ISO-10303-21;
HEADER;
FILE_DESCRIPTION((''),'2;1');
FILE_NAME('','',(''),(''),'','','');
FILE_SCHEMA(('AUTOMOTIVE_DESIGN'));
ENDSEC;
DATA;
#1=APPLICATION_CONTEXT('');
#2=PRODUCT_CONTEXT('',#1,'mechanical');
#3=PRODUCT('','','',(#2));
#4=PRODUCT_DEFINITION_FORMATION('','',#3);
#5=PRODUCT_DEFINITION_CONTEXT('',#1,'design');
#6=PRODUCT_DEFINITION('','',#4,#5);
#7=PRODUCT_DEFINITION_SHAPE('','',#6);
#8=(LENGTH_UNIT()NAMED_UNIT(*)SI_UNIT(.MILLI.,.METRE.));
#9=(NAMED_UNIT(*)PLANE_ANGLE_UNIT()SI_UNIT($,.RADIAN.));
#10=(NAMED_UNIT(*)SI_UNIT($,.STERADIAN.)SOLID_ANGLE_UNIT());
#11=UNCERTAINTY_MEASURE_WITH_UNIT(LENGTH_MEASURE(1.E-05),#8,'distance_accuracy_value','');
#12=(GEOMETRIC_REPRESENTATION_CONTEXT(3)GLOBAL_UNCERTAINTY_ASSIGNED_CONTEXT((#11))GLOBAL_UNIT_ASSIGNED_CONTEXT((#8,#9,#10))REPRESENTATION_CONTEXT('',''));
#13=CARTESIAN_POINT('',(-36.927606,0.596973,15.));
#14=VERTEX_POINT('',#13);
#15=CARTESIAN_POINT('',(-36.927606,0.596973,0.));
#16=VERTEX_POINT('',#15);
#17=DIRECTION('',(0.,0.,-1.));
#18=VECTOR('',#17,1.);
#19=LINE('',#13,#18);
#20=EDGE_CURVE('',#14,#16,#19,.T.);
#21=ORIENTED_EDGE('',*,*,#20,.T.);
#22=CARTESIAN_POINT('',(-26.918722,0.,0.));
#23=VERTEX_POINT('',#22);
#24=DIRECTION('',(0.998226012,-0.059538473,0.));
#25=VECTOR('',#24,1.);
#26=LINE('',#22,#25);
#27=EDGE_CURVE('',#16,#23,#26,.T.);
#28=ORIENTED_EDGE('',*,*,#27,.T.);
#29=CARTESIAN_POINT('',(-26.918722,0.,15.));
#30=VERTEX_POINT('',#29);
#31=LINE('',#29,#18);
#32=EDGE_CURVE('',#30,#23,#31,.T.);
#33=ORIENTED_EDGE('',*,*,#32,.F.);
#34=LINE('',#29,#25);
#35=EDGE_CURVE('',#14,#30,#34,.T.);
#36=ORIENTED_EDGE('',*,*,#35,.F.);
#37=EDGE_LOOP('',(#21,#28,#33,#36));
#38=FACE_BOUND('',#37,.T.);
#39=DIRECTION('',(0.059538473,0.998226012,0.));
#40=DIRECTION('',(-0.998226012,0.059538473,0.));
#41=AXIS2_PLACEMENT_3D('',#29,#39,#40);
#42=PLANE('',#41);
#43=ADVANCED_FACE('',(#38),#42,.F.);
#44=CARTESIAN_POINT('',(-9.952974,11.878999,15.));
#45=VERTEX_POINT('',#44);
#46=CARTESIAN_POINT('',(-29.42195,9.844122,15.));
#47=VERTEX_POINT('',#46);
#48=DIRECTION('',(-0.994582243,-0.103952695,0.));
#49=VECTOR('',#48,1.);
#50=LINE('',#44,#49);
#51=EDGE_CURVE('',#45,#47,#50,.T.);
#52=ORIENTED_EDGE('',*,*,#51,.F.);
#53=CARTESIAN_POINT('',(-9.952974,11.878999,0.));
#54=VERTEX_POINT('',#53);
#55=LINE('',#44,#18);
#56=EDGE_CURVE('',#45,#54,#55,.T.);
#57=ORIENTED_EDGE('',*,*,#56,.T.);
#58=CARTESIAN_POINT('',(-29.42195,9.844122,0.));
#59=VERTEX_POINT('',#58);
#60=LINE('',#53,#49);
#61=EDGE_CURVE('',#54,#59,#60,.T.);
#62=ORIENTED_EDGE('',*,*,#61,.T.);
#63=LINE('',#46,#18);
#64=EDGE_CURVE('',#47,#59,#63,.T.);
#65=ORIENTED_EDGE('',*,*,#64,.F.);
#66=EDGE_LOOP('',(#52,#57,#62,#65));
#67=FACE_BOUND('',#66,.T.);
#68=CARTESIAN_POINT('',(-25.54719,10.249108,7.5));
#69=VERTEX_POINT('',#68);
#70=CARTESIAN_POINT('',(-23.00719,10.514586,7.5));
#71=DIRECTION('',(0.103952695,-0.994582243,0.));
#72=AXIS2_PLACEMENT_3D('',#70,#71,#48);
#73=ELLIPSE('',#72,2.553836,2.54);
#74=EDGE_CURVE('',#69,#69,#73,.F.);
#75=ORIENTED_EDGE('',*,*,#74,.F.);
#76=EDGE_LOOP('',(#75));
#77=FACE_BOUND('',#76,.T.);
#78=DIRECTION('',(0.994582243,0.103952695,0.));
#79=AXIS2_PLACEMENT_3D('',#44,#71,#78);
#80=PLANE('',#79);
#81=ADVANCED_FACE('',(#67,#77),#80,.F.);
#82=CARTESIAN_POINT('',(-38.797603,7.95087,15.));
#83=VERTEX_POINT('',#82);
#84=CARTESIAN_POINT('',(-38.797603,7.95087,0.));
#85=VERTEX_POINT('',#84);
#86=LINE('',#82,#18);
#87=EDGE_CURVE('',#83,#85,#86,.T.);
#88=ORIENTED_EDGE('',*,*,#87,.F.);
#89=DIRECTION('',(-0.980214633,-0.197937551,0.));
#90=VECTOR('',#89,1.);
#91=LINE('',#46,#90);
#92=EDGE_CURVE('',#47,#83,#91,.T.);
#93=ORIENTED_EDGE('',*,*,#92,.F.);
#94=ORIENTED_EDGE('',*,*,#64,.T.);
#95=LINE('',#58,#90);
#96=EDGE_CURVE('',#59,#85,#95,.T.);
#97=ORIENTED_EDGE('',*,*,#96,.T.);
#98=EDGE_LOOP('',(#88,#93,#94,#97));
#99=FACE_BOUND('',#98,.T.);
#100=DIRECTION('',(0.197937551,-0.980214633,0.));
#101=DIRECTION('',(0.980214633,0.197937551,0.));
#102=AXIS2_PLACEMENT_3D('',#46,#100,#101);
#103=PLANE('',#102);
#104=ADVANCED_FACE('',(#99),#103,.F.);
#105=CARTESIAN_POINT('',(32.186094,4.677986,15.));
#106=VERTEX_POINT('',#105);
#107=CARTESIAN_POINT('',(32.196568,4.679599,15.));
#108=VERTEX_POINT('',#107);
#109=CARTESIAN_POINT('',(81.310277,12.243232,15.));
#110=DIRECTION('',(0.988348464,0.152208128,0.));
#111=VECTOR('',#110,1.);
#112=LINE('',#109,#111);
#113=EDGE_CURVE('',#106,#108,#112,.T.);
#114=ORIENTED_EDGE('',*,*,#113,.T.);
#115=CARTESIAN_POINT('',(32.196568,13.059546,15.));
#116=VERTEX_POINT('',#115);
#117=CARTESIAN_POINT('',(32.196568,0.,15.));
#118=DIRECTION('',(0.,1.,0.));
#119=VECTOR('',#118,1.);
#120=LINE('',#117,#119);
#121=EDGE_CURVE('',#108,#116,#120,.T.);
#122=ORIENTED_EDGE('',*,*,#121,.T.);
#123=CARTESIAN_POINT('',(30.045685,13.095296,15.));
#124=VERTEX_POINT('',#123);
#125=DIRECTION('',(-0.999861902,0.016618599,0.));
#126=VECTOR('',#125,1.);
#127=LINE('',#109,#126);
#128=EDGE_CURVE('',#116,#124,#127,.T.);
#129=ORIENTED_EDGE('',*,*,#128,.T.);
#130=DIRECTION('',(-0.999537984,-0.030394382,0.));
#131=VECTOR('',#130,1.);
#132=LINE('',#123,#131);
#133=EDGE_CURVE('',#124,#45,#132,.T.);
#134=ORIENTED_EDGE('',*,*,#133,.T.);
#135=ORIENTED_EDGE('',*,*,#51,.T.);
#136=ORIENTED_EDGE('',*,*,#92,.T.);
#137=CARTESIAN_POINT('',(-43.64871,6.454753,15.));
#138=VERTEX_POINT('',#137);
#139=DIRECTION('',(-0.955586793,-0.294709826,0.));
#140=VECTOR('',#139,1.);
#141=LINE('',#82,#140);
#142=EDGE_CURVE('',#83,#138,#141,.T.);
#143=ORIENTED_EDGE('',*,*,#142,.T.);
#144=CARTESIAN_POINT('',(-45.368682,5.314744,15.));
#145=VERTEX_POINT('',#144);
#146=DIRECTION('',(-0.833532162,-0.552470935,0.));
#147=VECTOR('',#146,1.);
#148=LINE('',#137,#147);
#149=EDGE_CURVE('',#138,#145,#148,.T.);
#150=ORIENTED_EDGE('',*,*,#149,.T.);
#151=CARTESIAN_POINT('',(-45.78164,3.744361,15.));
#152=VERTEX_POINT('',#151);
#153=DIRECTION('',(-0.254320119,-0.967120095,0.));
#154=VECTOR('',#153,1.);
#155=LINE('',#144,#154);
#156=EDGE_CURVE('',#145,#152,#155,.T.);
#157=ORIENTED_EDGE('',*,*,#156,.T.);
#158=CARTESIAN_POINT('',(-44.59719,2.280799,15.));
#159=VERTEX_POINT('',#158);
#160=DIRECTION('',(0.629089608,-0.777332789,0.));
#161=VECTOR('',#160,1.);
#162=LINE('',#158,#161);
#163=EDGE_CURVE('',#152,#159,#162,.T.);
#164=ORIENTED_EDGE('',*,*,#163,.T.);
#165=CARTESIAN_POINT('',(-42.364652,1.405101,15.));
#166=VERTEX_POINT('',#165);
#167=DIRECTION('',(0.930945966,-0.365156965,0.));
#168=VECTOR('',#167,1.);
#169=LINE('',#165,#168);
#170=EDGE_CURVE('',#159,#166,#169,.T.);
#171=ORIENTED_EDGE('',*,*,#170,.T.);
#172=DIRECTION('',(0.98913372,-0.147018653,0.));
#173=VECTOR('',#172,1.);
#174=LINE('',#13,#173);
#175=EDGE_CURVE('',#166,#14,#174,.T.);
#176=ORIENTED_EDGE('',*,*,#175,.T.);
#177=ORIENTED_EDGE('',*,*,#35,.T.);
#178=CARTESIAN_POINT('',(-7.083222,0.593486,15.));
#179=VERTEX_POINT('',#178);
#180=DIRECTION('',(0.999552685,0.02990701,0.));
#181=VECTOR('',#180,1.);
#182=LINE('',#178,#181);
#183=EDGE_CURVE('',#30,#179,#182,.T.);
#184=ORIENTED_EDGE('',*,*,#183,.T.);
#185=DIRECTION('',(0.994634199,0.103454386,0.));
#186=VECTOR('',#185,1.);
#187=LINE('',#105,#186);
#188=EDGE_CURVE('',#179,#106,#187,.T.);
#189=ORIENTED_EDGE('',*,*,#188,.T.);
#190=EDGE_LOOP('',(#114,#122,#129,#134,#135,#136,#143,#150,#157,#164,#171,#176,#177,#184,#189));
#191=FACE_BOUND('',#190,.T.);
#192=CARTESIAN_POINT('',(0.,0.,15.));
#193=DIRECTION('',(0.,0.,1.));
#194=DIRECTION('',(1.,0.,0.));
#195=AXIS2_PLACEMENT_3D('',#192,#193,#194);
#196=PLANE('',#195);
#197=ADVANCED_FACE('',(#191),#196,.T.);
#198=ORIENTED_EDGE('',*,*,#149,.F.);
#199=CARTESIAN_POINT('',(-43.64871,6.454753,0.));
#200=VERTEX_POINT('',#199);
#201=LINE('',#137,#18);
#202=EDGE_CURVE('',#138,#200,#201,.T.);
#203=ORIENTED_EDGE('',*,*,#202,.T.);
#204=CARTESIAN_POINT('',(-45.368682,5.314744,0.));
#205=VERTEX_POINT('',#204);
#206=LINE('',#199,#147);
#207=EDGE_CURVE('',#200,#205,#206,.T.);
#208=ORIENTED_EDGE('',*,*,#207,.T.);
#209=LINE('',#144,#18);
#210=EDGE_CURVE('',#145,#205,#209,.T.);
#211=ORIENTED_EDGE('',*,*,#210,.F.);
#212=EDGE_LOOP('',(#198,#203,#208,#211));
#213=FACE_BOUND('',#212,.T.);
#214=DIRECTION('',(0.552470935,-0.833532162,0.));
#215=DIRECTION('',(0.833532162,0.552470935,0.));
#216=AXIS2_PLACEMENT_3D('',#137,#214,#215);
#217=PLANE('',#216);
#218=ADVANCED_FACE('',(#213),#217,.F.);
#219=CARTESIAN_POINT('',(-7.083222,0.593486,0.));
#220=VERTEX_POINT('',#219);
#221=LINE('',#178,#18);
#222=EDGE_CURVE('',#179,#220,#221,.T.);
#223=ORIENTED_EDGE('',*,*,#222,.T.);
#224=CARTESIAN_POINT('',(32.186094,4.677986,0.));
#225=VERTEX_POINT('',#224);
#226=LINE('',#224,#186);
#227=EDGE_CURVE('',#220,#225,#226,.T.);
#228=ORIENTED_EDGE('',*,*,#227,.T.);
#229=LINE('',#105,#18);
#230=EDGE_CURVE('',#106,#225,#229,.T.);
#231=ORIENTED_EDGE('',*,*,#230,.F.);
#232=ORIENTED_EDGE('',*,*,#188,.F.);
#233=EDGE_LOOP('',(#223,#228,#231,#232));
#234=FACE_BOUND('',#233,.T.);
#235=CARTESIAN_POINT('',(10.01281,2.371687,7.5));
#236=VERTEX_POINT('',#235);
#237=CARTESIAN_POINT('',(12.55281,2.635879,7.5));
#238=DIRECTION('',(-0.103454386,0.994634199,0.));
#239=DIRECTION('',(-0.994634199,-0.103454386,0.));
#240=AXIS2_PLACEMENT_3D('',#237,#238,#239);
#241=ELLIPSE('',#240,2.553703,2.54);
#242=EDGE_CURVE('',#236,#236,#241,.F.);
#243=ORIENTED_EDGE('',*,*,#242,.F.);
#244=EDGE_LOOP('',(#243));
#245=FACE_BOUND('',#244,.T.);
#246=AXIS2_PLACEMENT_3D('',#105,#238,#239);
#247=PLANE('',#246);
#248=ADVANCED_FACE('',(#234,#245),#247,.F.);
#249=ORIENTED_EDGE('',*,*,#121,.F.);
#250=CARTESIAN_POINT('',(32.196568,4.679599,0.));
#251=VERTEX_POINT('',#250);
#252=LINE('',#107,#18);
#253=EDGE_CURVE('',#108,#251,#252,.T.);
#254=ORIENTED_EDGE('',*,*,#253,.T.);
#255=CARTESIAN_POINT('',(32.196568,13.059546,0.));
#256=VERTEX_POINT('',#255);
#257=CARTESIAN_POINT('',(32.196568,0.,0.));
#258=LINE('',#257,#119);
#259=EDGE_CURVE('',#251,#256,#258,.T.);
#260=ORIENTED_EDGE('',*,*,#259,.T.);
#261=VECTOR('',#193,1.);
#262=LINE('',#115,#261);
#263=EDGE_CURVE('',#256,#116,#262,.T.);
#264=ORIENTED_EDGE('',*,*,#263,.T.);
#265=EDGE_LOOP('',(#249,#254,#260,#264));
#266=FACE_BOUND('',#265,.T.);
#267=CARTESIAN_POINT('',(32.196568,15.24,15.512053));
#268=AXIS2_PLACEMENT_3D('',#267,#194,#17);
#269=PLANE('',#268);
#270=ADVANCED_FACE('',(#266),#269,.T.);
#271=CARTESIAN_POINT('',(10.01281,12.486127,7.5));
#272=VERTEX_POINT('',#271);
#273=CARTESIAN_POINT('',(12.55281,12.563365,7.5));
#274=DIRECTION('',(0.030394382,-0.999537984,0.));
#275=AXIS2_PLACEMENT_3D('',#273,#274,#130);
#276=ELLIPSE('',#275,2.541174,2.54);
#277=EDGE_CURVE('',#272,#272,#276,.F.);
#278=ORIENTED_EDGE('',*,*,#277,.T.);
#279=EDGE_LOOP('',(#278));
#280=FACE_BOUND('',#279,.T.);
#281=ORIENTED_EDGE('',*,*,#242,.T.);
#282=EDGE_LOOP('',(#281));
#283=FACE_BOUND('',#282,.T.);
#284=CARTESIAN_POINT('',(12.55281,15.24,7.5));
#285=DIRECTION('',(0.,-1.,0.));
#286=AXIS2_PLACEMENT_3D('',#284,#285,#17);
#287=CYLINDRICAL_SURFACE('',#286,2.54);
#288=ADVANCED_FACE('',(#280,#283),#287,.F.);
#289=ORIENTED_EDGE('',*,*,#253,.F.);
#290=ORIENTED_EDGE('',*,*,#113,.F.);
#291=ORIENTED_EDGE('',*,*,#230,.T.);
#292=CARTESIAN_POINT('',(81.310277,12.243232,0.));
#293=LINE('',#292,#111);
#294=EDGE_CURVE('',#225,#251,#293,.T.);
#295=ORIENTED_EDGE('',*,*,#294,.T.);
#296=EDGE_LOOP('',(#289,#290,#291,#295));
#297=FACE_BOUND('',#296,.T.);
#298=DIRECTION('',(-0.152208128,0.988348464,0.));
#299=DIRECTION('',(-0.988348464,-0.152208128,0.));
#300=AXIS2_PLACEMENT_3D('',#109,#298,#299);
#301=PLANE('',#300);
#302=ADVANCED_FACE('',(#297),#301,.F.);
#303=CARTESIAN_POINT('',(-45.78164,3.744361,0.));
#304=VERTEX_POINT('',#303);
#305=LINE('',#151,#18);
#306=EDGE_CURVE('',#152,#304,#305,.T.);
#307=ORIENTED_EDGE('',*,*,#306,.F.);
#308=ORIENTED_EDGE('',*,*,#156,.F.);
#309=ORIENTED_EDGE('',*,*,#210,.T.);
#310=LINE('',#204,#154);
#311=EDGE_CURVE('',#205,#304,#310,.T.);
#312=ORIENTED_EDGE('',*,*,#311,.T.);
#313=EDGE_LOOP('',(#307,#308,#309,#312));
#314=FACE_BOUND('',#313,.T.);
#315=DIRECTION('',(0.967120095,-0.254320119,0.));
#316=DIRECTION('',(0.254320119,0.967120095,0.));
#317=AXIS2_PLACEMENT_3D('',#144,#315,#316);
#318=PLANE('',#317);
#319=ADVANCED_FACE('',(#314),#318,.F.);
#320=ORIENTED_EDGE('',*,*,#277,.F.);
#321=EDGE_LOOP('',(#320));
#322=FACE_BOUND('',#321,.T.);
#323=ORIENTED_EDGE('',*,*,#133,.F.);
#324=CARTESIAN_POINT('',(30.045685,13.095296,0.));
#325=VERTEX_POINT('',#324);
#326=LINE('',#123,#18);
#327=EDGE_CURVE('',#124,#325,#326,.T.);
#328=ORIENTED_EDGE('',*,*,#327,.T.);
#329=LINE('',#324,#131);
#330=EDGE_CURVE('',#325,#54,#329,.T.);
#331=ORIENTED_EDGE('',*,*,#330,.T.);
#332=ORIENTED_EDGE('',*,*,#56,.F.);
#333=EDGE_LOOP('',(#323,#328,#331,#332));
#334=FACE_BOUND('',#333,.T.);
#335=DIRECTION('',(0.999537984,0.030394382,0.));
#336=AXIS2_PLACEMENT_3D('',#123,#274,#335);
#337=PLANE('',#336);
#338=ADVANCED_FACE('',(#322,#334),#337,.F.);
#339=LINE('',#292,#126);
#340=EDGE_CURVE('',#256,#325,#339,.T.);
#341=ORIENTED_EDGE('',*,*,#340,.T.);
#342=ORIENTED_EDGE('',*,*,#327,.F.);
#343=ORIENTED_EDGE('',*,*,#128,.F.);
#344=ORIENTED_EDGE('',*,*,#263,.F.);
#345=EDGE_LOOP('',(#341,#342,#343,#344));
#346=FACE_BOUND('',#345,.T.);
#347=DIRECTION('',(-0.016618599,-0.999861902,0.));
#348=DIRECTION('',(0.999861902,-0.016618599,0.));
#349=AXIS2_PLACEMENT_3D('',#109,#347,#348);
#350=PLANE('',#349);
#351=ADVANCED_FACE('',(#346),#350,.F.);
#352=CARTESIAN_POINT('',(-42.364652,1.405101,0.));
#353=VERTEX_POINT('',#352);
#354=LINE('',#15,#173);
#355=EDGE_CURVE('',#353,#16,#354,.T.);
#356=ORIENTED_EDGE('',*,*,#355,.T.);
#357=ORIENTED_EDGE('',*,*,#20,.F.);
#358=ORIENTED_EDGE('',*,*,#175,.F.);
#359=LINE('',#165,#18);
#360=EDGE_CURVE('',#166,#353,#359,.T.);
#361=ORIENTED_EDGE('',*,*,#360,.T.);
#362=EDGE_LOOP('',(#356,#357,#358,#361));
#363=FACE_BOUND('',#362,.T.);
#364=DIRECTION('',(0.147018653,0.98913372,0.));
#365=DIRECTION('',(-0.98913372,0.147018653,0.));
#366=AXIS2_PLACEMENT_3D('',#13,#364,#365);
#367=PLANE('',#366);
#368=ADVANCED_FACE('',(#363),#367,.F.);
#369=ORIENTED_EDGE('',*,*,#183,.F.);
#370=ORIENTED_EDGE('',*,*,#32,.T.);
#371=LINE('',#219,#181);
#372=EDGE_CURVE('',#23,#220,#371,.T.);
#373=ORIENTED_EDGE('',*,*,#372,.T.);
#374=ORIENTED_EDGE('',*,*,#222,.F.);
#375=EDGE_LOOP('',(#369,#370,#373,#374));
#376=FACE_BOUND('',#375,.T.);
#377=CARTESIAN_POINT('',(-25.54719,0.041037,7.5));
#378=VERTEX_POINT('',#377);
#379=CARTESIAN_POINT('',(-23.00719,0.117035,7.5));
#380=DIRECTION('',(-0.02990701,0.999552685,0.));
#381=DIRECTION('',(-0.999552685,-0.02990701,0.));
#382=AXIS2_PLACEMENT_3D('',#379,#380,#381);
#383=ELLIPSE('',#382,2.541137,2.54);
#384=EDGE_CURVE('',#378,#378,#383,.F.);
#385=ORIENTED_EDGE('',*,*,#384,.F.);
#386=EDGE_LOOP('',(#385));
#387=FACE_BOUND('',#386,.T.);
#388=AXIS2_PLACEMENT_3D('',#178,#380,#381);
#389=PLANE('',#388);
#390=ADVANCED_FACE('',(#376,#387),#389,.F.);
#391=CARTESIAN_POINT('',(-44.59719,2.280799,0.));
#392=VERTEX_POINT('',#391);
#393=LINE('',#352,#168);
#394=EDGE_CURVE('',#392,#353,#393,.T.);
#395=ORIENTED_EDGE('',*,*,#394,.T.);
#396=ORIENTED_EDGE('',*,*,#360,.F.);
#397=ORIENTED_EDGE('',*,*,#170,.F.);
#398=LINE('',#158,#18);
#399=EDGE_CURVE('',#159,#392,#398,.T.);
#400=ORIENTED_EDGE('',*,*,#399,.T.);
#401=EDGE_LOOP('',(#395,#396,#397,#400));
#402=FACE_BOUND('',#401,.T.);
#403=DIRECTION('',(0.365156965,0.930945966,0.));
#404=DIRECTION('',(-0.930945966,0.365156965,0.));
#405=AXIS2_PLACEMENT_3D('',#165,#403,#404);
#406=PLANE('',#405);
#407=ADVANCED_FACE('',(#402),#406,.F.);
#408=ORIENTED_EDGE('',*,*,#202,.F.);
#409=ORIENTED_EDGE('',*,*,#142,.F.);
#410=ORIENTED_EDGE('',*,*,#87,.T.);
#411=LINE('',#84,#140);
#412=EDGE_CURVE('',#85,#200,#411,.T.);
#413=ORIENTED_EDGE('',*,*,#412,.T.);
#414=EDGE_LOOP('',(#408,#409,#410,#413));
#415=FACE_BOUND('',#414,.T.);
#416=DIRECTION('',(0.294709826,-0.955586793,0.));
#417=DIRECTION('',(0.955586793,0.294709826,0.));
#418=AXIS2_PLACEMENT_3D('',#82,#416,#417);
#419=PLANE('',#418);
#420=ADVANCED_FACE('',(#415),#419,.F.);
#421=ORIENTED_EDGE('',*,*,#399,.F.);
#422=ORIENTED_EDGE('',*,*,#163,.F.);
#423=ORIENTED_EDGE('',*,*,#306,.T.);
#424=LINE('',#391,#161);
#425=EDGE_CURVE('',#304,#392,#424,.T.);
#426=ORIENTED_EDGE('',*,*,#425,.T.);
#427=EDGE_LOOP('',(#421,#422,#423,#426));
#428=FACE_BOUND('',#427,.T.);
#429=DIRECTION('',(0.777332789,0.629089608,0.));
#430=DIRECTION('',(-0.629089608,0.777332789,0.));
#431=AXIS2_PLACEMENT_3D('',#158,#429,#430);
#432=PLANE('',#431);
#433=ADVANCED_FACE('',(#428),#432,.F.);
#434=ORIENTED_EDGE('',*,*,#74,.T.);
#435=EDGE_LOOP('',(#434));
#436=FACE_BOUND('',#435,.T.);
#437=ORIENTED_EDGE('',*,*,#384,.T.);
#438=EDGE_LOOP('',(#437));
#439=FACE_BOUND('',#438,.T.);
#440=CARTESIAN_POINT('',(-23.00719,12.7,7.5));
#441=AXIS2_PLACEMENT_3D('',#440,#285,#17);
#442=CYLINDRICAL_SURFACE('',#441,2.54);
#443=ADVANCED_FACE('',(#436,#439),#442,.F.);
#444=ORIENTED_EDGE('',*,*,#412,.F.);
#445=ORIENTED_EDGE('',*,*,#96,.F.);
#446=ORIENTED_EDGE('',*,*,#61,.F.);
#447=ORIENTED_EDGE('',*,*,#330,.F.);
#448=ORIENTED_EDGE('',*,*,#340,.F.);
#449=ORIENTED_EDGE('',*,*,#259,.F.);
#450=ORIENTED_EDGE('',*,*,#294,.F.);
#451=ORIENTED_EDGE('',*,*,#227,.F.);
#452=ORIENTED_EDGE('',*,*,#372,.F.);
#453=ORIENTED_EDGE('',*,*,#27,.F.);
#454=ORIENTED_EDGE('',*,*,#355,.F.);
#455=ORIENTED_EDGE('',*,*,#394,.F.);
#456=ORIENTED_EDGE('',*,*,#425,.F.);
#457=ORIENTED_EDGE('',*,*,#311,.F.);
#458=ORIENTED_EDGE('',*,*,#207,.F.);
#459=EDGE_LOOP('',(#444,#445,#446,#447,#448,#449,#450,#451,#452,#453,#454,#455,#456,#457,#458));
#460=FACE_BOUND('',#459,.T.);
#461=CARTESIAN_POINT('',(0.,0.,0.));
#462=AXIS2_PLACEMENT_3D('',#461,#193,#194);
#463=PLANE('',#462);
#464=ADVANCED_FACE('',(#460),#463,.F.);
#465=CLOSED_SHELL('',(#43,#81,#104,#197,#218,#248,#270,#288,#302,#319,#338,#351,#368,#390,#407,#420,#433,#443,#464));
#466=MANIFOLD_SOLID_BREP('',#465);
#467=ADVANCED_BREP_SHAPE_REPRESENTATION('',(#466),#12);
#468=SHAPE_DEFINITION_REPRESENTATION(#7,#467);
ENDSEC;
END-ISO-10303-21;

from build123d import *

# Parameters (mm, degrees)
BOSS_EXTRUDE1_DEPTH = 15
SKETCH4_R           = 2.54
CUT_EXTRUDE1_DEPTH  = 12.7
SKETCH5_R           = 2.54
CUT_EXTRUDE2_DEPTH  = 15.24
SKETCH6_W           = 50.620820664
SKETCH6_H           = 16.798394225
CUT_EXTRUDE3_DEPTH  = 15.24


with BuildPart() as part:
    # Sketch1 → Boss-Extrude1 (new body)
    with BuildSketch(Plane.XY):
        Polygon((-45.368681743, 5.31474447), (-45.781639963, 3.744360676), (-44.597190062, 2.280798517), (-42.364651707, 1.40510115), (-36.927606101, 0.59697268), (-26.918722281, 0), (-7.083221645, 0.593485987), (32.186093563, 4.677985502), (81.310277275, 12.243232279), (30.045684711, 13.095295678), (-9.952974473, 11.878999191), (-29.421950259, 9.844122216), (-38.797603286, 7.950869725), (-43.648710425, 6.454753464), align=None)
    extrude(amount=BOSS_EXTRUDE1_DEPTH)

    # Sketch4 → Cut-Extrude1 (cut)
    with BuildSketch(Plane(origin=(0, 0, 0), x_dir=(1, 0, 0), z_dir=(0, 1, 0))):
        with Locations(Location((-23.007190062, -7.5, 0), (0, 0, 180))):
            Circle(SKETCH4_R)
    extrude(amount=CUT_EXTRUDE1_DEPTH, mode=Mode.SUBTRACT)

    # Sketch5 → Cut-Extrude2 (cut)
    with BuildSketch(Plane(origin=(0, 0, 0), x_dir=(1, 0, 0), z_dir=(0, 1, 0))):
        with Locations(Location((12.552809938, -7.5, 0), (0, 0, 180))):
            Circle(SKETCH5_R)
    extrude(amount=CUT_EXTRUDE2_DEPTH, mode=Mode.SUBTRACT)

    # Sketch6 → Cut-Extrude3 (cut)
    with BuildSketch(Plane(origin=(0, 0, 0), x_dir=(1, 0, 0), z_dir=(0, 1, 0))):
        with Locations((57.506978049, -7.112855452)):
            Rectangle(SKETCH6_W, SKETCH6_H)
    extrude(amount=CUT_EXTRUDE3_DEPTH, mode=Mode.SUBTRACT)


solid = part.part
